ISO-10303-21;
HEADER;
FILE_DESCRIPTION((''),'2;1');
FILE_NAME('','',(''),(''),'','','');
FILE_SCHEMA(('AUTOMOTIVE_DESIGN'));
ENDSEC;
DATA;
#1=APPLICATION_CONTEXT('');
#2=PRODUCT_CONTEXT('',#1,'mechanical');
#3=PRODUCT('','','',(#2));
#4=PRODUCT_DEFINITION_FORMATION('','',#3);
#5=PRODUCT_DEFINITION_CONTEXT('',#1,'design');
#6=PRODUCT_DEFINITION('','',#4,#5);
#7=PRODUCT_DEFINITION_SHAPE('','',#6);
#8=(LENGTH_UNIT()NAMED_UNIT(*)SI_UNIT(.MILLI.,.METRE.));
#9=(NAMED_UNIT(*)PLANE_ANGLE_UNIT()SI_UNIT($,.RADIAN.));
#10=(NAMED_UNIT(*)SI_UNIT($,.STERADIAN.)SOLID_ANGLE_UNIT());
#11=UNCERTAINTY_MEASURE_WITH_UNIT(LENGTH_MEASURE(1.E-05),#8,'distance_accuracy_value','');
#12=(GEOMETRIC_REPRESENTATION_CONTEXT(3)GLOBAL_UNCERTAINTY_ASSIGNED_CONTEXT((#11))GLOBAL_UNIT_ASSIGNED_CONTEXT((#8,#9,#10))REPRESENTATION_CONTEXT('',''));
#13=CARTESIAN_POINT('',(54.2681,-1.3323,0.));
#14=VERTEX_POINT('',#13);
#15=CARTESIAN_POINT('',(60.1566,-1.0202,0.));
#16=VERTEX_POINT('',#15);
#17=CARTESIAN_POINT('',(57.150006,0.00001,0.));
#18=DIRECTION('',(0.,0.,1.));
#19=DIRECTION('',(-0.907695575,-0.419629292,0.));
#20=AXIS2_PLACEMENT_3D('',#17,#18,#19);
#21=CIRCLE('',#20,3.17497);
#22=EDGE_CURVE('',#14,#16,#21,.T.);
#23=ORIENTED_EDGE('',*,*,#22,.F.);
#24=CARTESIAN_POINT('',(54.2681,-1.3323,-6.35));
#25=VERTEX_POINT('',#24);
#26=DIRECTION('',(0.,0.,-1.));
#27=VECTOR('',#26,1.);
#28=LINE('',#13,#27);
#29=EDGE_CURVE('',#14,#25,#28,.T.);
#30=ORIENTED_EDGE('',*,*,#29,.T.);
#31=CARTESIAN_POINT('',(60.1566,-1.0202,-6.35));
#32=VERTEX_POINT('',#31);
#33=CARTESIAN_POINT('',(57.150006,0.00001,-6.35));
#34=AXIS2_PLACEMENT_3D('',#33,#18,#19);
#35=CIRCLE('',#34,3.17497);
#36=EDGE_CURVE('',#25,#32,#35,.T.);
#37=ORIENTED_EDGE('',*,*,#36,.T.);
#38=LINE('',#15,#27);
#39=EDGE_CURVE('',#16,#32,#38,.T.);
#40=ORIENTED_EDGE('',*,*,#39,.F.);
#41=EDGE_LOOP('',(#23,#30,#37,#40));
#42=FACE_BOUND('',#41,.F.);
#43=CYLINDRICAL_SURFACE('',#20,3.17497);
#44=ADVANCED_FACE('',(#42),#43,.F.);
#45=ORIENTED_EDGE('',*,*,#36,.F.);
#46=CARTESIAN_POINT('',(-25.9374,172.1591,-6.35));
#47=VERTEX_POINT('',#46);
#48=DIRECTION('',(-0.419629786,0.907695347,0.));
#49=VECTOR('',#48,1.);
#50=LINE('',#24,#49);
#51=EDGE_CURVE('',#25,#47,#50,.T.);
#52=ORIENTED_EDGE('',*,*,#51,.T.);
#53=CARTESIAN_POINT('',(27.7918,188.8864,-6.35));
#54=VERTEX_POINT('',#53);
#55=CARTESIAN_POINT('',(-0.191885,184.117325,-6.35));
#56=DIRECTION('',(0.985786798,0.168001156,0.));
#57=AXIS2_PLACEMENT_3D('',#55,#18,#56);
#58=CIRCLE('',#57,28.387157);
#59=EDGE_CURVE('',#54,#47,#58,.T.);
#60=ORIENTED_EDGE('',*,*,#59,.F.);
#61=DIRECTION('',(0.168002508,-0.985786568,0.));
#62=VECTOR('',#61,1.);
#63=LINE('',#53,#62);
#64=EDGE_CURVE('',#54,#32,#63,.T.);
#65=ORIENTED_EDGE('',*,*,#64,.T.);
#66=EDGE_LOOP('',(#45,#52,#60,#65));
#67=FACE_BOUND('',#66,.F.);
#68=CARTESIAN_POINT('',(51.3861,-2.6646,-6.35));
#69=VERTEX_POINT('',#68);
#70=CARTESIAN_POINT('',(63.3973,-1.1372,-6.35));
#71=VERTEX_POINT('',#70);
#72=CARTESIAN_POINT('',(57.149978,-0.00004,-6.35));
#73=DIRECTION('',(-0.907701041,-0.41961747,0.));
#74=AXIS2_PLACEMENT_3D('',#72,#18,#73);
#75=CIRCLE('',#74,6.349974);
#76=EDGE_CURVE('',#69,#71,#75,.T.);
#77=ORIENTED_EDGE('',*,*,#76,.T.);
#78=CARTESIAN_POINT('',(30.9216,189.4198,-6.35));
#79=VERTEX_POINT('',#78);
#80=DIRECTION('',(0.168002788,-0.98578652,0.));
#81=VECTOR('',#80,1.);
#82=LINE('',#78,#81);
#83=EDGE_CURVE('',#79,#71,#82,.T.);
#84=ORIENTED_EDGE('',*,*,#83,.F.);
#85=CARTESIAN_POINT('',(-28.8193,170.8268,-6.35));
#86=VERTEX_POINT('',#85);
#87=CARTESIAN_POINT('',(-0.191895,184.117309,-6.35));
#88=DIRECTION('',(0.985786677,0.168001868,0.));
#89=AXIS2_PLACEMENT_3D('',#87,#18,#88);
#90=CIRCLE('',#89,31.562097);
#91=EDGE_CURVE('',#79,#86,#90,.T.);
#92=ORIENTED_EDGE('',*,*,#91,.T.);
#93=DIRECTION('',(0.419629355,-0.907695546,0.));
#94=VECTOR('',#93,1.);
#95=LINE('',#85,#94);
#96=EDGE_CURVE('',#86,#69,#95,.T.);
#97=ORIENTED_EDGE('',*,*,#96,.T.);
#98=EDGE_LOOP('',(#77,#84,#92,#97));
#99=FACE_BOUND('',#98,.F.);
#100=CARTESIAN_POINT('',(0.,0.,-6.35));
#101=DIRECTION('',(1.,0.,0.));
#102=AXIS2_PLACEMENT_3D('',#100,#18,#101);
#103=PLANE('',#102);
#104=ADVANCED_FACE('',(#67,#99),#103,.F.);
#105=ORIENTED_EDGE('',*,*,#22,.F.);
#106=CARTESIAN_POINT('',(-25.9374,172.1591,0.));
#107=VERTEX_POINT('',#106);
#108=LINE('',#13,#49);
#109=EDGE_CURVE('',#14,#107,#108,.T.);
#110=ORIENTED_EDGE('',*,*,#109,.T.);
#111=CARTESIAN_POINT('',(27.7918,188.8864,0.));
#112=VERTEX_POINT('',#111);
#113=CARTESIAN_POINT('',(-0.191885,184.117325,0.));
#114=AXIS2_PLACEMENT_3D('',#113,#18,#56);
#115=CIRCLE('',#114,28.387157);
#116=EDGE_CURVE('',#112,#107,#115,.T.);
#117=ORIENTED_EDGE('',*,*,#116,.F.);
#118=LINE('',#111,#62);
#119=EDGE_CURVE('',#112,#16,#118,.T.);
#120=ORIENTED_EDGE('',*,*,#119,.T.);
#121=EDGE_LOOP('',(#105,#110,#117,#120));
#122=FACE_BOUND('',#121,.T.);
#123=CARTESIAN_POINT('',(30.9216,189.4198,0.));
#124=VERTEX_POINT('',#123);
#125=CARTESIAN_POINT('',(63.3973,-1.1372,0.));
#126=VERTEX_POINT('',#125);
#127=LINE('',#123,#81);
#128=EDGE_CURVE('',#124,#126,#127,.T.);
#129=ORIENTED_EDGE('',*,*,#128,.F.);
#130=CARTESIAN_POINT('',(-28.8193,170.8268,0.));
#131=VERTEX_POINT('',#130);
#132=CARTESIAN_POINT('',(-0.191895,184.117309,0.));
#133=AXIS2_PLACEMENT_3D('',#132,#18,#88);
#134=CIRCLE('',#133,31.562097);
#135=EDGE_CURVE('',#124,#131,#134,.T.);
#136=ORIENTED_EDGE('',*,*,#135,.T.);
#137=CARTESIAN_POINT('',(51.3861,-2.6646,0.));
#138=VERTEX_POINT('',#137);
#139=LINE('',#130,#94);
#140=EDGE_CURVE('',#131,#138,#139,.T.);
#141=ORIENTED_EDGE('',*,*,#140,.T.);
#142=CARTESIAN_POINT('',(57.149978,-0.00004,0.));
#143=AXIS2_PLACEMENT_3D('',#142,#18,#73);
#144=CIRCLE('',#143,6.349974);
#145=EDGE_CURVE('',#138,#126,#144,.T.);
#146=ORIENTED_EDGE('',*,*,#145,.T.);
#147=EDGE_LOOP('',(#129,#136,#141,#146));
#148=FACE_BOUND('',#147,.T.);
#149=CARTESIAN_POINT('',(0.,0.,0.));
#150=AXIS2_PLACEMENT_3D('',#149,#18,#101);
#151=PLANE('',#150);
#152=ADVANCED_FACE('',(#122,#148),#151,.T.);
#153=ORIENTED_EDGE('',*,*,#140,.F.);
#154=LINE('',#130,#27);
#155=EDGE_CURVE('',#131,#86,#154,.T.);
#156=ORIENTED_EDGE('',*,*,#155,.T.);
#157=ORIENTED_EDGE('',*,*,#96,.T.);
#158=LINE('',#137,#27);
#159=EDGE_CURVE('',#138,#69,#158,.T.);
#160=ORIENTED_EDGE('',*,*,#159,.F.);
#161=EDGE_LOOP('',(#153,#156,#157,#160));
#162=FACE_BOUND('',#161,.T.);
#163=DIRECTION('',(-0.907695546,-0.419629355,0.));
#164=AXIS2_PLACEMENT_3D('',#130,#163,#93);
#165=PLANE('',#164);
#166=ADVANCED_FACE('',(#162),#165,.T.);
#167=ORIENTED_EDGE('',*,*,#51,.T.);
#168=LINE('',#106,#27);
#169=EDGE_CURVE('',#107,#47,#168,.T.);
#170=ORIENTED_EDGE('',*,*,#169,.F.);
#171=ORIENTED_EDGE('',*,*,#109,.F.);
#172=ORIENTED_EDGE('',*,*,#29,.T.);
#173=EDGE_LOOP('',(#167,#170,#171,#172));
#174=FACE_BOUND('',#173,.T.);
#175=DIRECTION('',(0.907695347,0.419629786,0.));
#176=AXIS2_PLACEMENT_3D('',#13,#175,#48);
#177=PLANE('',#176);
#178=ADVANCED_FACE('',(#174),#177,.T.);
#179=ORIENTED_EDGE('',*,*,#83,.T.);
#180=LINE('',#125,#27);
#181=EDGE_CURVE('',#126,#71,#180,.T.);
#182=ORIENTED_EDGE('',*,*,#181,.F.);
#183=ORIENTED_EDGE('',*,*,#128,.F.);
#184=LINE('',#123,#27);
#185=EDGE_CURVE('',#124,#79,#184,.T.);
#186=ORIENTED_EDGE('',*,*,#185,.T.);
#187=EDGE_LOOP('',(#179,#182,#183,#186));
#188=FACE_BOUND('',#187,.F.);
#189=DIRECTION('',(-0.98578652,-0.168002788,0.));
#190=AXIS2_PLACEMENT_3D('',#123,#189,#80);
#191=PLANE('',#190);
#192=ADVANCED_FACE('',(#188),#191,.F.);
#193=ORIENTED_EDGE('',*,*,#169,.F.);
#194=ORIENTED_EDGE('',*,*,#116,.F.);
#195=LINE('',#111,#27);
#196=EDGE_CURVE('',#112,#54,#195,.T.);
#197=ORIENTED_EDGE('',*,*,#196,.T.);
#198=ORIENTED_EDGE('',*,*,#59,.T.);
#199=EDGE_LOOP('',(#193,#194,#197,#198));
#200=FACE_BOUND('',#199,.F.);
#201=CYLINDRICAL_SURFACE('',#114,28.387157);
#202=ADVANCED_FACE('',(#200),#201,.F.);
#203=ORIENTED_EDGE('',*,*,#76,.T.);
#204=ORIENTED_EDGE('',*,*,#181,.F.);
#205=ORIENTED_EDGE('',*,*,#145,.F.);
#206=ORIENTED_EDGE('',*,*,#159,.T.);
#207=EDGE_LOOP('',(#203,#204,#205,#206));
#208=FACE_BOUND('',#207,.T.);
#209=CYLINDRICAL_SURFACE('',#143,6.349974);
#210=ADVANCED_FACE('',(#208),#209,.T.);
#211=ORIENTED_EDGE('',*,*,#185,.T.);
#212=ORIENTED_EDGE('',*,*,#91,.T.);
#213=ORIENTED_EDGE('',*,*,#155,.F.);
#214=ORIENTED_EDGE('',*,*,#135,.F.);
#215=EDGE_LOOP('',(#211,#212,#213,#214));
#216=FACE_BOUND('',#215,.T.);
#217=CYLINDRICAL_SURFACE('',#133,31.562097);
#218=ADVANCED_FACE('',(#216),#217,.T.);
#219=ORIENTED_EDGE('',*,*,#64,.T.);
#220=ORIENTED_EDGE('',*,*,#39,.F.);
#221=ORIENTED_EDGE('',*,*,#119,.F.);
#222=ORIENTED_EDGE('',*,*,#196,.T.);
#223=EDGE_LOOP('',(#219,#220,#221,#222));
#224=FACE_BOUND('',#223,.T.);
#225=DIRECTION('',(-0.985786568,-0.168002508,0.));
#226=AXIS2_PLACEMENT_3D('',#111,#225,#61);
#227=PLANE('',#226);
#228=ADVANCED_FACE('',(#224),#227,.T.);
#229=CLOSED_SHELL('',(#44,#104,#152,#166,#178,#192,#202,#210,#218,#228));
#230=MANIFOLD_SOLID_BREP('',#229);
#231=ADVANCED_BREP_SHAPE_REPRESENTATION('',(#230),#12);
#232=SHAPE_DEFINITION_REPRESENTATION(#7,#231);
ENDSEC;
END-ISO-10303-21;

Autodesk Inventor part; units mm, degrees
ref_plane "YZ Plane" through (0, 0, 0) normal (1, 0, 0) x (0, 1, 0)
ref_plane "XZ Plane" through (0, 0, 0) normal (0, 1, 0) x (-1, 0, 0)
ref_plane "XY Plane" through (0, 0, 0) normal (0, 0, 1) x (1, 0, 0)
sketch "Sketch1" plane through (0, 0, 0) normal (0, 0, 1) x (1, 0, 0)
  line L0 (30.9216, 189.4198) -> (63.3973, -1.1372)
  line L1 (-28.8193, 170.8268) -> (51.3861, -2.6646)
  line L2 (27.7918, 188.8864) -> (60.1566, -1.0202)
  line L3 (54.2681, -1.3323) -> (-25.9374, 172.1591)
  arc A0 (54.2681, -1.3323) -> (60.1566, -1.0202) centre (57.15, 0) ccw
  arc A1 (51.3861, -2.6646) -> (63.3973, -1.1372) centre (57.15, 0) ccw
  arc A2 (27.7918, 188.8864) -> (-25.9374, 172.1591) centre (-0.1919, 184.1173) ccw
  arc A3 (30.9216, 189.4198) -> (-28.8193, 170.8268) centre (-0.1919, 184.1173) ccw
  point P0 (0, 0)
  point P1 (-0.3472, 183.9895)
  dimension "d4" = 3.175
extrude "Extrusion1" add sketch "Sketch1" against normal blind 6.35
properties part number "proxy chain 1"
